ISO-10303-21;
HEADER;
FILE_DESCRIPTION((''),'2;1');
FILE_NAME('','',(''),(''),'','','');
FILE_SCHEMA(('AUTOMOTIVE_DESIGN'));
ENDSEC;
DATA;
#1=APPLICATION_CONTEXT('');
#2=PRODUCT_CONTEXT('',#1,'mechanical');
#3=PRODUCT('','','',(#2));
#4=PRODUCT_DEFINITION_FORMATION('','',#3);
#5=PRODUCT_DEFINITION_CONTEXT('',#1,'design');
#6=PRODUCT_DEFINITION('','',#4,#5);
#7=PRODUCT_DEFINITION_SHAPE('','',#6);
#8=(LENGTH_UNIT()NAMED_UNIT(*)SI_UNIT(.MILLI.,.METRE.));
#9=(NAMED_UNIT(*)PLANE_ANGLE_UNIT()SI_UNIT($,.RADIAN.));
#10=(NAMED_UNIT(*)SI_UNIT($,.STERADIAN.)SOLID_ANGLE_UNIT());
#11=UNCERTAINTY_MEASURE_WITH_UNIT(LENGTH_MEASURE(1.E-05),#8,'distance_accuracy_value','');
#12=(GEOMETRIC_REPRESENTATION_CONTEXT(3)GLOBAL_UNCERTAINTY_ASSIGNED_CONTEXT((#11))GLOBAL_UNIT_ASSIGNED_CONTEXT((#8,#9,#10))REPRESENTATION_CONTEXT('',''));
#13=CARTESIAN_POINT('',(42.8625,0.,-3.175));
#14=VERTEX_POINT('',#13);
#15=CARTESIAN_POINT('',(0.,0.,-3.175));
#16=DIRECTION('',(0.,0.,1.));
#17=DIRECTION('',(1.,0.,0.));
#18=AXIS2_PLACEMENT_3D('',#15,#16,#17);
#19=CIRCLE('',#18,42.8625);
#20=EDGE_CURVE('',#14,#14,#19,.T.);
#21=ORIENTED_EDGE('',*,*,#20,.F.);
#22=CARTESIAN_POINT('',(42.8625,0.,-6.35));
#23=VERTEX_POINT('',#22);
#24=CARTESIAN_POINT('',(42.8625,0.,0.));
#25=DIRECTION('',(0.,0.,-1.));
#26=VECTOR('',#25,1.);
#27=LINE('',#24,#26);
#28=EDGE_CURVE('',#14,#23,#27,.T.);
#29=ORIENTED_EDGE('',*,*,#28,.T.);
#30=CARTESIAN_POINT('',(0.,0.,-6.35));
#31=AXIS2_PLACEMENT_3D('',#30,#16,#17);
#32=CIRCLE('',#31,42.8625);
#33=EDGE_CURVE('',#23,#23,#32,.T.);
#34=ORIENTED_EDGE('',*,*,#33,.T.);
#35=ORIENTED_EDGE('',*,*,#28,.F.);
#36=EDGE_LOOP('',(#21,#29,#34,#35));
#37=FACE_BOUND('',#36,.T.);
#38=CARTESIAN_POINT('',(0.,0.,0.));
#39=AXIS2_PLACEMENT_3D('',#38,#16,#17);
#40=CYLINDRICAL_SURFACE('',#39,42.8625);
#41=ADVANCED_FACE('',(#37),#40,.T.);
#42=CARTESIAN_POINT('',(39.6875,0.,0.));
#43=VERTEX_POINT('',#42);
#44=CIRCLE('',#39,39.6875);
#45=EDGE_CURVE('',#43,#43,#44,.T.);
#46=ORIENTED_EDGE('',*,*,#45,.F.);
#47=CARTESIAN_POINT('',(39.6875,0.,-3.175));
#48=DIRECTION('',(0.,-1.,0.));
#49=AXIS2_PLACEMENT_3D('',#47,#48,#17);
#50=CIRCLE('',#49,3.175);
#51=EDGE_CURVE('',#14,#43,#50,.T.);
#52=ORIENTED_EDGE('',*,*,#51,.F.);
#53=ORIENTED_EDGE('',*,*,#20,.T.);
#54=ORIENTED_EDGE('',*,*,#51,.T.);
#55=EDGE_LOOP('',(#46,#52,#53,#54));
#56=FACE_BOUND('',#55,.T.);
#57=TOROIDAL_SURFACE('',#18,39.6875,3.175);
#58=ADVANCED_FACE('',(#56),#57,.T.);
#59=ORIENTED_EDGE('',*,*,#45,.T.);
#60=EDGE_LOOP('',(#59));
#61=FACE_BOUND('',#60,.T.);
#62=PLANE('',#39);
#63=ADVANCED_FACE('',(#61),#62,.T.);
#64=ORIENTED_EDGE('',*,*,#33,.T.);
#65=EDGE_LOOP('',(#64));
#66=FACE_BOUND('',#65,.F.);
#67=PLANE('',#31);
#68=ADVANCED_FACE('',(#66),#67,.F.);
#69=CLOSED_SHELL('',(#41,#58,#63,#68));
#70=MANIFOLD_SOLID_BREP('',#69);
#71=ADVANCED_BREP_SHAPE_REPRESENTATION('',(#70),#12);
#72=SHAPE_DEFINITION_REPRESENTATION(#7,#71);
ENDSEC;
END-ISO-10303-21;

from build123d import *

# Parameters (mm, degrees)
F0_R     = 42.8625
F1_DEPTH = 6.35
F2_R     = 3.175


with BuildPart() as f1:
    # F0 (on Top) → F1 (new body)
    with BuildSketch(Plane.XY):
        Circle(F0_R)
    extrude(amount=-F1_DEPTH)

    # F2
    f2_edges = [f1.edges().sort_by_distance(p)[0] for p in [
        (-42.8625, 0, 0),
    ]]
    fillet(f2_edges, radius=F2_R)


solid = f1.part
